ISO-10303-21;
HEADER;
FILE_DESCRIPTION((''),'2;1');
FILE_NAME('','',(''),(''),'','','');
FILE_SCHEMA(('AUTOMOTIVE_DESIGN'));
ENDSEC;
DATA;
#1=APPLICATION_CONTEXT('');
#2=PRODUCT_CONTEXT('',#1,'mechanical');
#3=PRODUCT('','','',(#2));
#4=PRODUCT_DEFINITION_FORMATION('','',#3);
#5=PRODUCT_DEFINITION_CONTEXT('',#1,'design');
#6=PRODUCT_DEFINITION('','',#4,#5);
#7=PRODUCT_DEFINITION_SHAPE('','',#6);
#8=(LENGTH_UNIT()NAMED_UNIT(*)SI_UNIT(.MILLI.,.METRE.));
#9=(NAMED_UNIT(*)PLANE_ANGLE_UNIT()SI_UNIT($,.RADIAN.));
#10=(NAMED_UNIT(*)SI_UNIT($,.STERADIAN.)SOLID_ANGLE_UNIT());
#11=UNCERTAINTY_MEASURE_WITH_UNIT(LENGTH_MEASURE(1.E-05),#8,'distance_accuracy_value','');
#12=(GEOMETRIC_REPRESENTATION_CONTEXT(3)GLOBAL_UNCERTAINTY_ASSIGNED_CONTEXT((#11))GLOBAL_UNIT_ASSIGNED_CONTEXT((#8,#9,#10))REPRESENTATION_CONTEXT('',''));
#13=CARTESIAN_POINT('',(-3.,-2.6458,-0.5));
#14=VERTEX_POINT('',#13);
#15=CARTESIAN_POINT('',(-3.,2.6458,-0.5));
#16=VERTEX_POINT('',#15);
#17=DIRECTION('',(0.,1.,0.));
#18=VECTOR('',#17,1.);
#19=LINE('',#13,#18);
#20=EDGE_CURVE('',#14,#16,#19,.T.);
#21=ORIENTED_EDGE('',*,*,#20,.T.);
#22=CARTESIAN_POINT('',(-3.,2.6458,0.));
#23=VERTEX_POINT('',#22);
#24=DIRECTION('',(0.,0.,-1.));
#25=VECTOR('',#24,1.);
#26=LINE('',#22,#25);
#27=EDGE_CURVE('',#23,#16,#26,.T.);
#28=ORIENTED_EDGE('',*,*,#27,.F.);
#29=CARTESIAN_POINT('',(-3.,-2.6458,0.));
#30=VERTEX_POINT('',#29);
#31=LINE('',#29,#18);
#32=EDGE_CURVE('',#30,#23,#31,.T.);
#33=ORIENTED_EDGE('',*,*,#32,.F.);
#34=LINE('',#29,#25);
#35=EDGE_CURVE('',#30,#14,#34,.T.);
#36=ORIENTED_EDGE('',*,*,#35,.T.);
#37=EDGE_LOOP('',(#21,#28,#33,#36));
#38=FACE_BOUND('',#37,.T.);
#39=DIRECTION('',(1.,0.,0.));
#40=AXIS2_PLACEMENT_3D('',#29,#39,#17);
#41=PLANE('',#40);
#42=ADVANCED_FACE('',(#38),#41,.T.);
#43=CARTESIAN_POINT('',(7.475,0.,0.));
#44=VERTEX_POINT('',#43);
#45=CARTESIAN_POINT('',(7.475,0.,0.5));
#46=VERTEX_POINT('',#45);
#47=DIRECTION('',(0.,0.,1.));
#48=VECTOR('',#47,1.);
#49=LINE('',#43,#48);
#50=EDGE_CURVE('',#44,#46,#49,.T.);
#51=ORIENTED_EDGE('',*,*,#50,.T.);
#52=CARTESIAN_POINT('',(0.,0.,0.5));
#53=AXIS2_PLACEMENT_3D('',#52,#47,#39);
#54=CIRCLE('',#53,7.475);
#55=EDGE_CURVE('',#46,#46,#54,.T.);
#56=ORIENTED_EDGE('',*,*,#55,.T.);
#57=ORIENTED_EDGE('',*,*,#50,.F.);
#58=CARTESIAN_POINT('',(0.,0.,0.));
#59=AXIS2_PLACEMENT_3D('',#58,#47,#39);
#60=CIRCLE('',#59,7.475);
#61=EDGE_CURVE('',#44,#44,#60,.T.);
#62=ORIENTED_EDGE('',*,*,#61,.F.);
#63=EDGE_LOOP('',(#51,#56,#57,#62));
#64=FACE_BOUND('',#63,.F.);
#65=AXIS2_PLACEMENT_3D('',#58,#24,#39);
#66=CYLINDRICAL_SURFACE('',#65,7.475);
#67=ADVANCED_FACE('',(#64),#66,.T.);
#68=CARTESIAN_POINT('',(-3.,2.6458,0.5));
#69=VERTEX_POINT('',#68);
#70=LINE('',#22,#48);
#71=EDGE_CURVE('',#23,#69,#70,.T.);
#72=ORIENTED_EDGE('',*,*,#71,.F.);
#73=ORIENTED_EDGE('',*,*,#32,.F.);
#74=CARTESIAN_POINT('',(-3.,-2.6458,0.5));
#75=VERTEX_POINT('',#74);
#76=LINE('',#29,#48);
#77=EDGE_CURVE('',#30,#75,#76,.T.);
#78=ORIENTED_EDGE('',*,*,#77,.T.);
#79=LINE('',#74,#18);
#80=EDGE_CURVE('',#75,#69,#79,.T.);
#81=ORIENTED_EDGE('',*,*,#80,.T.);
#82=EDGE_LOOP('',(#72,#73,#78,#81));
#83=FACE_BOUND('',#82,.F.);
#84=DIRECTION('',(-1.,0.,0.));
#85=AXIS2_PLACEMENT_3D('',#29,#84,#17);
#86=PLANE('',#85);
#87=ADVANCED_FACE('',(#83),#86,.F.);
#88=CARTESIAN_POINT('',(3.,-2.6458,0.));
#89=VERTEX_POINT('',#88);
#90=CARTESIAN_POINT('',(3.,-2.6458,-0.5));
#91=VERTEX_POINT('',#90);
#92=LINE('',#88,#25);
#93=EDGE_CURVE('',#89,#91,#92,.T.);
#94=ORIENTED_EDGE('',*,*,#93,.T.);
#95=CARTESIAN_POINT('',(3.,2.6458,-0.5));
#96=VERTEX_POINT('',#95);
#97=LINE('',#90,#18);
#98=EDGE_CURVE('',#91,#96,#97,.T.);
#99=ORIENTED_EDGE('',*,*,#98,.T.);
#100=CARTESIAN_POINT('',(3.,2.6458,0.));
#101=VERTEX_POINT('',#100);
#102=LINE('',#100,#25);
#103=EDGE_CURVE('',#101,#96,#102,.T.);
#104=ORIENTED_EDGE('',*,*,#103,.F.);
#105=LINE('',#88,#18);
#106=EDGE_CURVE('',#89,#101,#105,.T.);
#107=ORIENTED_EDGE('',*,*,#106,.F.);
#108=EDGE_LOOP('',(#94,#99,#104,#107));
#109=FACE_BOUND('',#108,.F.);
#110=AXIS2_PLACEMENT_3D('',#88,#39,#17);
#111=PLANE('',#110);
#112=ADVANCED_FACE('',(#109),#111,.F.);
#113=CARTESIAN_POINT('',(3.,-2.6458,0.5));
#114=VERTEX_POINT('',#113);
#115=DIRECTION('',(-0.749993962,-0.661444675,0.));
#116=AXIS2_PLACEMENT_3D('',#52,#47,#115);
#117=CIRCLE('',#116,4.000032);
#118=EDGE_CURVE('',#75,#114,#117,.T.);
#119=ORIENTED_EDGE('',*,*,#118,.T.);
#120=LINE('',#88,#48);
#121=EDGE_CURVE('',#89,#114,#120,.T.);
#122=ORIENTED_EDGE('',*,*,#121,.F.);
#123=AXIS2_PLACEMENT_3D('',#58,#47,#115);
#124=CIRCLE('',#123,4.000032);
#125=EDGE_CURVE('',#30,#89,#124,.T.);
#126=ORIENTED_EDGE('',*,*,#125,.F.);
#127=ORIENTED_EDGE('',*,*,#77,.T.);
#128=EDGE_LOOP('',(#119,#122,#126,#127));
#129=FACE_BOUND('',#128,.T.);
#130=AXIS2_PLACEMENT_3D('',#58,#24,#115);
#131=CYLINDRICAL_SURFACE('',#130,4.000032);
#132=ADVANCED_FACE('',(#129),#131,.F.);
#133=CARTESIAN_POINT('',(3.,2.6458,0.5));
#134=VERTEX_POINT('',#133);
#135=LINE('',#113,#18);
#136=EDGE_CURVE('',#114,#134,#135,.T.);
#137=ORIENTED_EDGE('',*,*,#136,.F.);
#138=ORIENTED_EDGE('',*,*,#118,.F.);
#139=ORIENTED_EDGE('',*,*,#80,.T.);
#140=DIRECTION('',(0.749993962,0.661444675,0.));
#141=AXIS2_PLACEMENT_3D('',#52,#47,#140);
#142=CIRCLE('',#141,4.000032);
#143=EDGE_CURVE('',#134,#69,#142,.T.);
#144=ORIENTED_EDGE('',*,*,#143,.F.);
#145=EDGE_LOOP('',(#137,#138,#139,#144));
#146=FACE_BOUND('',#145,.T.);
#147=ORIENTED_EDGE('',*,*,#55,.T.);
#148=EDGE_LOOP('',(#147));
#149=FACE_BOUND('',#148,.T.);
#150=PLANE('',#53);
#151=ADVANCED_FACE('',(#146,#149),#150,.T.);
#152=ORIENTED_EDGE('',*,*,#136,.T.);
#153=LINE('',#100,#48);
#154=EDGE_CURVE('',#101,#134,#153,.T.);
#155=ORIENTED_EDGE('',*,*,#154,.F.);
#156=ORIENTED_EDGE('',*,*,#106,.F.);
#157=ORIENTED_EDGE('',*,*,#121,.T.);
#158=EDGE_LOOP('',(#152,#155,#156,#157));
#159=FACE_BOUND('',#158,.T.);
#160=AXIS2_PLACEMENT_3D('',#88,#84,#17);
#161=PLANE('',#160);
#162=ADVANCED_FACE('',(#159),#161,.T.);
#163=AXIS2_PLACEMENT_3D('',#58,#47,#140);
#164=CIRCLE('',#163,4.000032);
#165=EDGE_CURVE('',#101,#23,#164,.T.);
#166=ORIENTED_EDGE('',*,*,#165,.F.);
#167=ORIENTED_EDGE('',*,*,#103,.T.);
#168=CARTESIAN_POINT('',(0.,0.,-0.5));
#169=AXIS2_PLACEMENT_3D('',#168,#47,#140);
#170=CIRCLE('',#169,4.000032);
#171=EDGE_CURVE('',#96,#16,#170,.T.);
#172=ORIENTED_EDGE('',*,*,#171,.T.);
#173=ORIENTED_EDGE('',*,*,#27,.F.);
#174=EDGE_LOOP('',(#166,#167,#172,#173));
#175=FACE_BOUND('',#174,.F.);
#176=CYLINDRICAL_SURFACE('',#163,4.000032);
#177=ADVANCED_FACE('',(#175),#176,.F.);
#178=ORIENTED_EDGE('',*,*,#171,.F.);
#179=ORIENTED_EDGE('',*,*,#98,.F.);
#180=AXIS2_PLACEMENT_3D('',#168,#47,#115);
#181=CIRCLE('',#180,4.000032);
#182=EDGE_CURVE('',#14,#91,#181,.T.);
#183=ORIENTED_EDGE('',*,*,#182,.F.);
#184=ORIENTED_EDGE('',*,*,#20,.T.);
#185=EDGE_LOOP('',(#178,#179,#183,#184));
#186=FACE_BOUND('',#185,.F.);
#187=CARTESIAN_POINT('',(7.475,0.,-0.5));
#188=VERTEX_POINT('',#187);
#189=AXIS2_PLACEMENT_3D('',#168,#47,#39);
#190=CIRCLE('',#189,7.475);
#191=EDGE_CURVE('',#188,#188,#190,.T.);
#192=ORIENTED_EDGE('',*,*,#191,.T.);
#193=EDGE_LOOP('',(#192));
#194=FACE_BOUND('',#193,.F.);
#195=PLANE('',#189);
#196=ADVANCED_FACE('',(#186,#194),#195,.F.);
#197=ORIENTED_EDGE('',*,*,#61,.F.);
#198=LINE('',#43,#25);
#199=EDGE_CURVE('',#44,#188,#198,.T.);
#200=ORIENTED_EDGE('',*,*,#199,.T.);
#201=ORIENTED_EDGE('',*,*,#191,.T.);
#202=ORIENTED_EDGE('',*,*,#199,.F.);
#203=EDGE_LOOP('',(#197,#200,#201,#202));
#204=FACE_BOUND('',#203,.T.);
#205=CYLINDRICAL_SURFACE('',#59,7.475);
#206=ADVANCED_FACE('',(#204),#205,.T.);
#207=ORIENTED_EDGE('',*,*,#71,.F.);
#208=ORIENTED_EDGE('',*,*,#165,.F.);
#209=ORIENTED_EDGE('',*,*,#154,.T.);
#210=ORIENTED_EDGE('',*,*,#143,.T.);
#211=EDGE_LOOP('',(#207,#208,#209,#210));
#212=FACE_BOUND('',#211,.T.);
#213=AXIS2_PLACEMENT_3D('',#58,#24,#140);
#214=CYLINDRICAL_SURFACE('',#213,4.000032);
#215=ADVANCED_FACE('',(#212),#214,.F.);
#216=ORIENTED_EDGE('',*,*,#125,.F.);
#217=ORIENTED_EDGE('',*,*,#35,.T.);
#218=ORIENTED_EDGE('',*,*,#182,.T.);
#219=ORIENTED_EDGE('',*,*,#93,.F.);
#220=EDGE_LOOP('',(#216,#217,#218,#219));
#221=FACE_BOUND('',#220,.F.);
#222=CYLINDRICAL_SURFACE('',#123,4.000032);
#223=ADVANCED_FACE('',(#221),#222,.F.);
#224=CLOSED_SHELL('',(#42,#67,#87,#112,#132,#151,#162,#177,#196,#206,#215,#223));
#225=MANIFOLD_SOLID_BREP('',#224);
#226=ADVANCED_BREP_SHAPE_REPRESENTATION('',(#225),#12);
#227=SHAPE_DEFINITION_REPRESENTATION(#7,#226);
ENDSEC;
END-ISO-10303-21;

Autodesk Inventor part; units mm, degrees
ref_plane "YZ Plane" through (0, 0, 0) normal (1, 0, 0) x (0, 1, 0)
ref_plane "XZ Plane" through (0, 0, 0) normal (0, 1, 0) x (-1, 0, 0)
ref_plane "XY Plane" through (0, 0, 0) normal (0, 0, 1) x (1, 0, 0)
sketch "Szkic1" plane through (0, 0, 0) normal (0, 0, 1) x (1, 0, 0)
  circle A0 centre (0, 0) radius 7.475
  line L0 (-3, -2.6458) -> (-3, 2.6458)
  line L1 (3, -2.6458) -> (3, 2.6458)
  arc A1 (-3, -2.6458) -> (3, -2.6458) centre (0, 0) ccw
  arc A2 (3, 2.6458) -> (-3, 2.6458) centre (0, 0) ccw
extrude "Wyciągnięcie proste1" add sketch "Szkic1" along normal mid plane 1
properties part number "PODKŁADKA M8X6X18" material "Stal"
